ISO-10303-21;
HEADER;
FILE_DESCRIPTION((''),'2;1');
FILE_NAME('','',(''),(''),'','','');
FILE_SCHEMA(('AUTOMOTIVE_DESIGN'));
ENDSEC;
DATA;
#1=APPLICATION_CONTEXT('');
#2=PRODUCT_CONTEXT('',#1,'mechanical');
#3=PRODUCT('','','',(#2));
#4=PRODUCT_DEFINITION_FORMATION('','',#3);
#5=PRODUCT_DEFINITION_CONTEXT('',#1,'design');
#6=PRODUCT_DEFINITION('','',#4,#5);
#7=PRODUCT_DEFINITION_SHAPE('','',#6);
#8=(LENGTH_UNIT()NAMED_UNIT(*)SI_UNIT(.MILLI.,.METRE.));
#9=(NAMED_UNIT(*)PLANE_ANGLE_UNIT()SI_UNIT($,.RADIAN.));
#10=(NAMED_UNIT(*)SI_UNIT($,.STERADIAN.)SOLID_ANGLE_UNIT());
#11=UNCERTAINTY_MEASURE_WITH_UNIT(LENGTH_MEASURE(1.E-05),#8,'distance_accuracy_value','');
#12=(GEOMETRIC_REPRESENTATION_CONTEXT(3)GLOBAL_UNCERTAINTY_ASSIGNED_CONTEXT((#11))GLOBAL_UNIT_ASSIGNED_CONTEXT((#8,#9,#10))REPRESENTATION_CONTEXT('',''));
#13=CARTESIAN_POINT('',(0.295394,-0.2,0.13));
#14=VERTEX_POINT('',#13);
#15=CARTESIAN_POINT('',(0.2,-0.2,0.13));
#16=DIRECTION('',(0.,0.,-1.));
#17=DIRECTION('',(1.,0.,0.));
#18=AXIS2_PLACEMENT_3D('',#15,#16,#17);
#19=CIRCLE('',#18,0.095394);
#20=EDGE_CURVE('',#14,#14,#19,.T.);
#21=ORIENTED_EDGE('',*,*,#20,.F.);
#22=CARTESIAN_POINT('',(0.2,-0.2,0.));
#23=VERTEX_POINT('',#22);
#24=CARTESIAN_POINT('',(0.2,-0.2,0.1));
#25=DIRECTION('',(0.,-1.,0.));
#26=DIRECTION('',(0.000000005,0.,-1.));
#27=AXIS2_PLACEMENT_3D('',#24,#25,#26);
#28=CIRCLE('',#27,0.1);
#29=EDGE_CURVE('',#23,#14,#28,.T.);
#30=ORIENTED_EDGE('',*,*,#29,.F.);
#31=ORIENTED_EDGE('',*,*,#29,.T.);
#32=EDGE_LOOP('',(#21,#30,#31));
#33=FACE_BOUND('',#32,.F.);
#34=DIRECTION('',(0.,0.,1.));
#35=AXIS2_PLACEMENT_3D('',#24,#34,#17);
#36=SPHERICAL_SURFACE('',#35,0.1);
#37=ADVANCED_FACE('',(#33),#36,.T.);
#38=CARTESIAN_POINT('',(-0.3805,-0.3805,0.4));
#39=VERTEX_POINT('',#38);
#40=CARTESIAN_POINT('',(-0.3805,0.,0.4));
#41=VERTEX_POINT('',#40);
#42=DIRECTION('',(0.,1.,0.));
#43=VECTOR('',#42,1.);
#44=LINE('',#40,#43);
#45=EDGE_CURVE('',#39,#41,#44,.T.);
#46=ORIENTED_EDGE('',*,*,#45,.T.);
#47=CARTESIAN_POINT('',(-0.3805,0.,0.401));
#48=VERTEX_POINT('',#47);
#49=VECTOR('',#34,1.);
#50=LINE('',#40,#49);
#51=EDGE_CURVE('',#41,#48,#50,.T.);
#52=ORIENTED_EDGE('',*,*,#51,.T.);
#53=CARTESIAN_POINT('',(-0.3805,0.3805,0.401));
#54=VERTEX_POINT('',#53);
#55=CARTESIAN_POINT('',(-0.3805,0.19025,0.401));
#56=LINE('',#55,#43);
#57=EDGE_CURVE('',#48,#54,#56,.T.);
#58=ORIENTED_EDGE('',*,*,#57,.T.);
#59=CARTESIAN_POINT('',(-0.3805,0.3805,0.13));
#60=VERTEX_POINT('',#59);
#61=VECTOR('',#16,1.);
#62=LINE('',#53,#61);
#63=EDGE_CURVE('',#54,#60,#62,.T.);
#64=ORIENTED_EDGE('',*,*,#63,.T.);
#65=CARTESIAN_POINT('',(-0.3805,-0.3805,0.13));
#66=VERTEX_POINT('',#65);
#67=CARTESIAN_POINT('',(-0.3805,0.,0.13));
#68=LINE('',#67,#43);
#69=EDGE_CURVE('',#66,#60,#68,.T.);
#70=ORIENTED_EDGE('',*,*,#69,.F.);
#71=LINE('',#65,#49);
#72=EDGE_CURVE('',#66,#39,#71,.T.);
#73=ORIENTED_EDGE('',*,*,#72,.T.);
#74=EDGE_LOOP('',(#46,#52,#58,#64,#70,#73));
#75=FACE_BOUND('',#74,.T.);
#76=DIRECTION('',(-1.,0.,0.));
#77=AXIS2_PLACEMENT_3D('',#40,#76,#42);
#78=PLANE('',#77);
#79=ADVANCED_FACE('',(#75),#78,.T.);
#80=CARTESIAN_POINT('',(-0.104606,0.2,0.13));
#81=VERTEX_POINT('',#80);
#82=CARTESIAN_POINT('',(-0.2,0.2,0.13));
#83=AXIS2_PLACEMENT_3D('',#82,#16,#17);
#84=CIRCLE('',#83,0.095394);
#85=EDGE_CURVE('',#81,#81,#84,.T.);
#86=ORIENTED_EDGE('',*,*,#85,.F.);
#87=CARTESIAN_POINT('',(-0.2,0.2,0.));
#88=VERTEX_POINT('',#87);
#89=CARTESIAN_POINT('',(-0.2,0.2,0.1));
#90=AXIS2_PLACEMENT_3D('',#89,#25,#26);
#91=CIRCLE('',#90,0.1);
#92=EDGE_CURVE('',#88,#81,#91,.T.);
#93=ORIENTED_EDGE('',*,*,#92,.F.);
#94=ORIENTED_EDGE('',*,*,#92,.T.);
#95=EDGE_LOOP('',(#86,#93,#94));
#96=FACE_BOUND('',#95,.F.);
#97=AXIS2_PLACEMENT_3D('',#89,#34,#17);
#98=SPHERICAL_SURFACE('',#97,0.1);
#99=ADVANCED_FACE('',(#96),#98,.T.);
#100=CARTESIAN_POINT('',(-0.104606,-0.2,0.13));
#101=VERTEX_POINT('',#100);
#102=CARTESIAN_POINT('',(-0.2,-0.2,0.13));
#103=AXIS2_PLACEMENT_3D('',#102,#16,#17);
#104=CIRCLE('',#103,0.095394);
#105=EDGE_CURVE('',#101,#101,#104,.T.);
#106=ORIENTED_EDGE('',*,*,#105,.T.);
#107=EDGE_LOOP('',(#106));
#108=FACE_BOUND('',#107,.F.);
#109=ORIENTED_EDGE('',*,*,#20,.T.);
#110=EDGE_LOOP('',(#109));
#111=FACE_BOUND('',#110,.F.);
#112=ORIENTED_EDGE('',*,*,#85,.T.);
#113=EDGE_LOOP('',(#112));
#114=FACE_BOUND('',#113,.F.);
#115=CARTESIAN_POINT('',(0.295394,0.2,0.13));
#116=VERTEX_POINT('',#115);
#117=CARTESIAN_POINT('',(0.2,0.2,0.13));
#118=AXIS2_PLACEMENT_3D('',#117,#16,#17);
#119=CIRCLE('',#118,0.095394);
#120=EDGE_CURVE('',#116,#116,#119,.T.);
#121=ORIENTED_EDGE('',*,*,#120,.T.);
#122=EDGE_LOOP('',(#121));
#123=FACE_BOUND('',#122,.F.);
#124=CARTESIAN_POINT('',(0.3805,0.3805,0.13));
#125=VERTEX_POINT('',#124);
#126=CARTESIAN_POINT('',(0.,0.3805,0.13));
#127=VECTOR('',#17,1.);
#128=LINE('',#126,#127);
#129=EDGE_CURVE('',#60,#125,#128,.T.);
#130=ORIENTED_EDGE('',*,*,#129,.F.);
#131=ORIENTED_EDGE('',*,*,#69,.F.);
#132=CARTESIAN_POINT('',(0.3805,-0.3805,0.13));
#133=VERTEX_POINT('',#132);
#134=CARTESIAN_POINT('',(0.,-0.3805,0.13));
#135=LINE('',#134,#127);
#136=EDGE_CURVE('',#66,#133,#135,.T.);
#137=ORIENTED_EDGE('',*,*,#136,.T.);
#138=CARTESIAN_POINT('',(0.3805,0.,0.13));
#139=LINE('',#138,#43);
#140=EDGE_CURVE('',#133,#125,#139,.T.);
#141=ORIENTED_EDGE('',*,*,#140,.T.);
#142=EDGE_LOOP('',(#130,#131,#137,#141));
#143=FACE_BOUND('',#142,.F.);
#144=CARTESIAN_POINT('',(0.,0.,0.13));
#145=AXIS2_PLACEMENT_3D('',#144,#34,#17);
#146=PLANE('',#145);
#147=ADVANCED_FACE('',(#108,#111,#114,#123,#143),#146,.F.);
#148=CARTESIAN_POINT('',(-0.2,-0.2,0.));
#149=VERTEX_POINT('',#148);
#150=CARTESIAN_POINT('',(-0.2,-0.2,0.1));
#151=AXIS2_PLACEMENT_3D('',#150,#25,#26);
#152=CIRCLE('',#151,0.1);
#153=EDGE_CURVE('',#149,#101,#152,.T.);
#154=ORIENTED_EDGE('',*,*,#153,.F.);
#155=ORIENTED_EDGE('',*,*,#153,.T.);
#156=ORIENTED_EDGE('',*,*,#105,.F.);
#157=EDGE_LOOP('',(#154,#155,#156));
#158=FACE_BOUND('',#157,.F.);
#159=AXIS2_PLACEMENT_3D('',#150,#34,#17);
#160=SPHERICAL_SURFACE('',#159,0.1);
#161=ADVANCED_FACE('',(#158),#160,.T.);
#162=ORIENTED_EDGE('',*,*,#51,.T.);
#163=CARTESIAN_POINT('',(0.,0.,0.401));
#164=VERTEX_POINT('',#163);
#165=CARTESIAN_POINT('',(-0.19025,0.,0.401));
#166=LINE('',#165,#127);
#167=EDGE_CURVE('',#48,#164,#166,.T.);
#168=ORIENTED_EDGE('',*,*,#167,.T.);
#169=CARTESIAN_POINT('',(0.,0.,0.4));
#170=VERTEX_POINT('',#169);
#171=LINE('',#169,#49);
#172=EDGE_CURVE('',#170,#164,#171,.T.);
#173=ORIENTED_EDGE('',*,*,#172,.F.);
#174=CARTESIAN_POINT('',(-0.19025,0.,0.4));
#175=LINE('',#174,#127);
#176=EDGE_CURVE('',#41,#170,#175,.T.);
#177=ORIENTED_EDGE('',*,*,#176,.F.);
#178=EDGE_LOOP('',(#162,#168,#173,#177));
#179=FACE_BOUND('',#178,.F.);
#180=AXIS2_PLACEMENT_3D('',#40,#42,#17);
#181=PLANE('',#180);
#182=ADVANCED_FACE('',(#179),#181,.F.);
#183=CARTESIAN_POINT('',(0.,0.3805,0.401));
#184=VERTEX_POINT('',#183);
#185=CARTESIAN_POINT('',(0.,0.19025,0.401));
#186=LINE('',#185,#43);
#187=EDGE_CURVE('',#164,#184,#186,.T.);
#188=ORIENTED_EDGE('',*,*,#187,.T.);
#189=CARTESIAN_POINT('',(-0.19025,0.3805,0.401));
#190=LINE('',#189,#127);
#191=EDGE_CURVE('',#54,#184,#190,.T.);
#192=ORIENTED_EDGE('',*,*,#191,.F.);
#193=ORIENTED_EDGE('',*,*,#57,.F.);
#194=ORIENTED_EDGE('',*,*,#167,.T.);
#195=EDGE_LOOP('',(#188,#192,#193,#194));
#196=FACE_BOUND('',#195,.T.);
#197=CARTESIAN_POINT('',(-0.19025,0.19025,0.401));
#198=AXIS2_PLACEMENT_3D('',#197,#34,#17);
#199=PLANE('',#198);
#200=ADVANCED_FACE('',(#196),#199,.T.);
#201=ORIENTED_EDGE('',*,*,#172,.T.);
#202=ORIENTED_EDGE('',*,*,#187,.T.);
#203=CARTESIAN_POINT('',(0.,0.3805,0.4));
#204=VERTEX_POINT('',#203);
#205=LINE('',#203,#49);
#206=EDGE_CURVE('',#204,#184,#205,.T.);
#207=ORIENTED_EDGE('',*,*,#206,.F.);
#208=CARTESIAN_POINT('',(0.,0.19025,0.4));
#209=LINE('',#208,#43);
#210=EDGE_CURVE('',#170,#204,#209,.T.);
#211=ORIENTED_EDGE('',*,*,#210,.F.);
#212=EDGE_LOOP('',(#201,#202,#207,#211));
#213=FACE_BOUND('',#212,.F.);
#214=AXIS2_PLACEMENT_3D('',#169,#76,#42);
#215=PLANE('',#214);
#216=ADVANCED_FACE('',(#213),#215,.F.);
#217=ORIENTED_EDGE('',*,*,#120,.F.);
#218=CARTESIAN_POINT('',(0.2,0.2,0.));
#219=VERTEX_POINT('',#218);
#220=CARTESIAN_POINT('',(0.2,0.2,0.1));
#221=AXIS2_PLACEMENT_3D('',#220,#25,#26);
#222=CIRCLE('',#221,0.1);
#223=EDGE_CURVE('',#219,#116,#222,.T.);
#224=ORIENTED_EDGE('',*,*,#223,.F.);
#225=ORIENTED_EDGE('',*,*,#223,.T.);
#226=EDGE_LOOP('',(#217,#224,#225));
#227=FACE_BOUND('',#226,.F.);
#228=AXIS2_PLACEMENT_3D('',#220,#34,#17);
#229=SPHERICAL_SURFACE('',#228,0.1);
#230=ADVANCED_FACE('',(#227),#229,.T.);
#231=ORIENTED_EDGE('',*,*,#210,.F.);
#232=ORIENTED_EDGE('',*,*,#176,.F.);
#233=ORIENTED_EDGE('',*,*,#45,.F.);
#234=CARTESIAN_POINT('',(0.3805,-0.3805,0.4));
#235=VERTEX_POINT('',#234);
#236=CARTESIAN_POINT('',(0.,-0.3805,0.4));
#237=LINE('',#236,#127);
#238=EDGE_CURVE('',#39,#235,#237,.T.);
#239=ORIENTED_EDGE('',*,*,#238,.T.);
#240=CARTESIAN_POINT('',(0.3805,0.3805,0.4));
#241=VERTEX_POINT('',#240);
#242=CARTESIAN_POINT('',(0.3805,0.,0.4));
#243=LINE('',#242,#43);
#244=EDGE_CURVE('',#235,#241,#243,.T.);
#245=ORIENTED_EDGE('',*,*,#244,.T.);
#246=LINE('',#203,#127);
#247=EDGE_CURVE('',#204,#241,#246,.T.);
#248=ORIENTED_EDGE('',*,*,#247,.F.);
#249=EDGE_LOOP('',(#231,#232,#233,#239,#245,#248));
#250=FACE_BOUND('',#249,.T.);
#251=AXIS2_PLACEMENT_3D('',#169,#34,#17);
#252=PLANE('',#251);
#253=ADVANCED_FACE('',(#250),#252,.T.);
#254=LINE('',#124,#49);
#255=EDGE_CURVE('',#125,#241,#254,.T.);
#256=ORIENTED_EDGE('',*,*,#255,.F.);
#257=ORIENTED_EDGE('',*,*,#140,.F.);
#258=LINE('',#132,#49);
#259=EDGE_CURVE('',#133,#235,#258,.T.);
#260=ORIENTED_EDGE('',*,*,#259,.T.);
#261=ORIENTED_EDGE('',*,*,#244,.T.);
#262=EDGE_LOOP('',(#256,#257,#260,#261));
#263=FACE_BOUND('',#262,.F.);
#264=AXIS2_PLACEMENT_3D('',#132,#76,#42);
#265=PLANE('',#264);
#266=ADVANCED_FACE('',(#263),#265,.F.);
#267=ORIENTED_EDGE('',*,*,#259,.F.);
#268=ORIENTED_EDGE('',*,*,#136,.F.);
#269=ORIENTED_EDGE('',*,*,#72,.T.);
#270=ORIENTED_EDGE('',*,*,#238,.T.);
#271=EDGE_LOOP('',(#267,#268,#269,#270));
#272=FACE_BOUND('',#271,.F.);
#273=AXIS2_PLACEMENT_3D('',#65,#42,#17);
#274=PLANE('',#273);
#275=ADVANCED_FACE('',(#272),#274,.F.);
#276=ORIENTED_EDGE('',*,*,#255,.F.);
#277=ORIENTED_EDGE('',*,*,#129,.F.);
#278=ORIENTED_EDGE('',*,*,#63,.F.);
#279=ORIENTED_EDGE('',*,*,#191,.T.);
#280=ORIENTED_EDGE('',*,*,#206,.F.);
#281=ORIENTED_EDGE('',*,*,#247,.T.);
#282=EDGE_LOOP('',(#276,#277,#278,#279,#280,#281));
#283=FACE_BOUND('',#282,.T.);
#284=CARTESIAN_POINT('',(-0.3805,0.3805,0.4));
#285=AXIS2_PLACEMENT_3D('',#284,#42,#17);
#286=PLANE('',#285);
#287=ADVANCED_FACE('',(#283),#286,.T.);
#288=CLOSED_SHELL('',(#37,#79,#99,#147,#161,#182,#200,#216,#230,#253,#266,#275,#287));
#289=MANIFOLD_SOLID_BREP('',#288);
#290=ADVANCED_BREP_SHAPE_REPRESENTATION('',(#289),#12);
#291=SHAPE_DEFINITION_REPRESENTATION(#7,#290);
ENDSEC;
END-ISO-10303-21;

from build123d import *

# Parameters (mm, degrees)
SKETCH1_W            = 0.761
SKETCH1_H            = 0.761
BOSS_EXTRUDE1_DEPTH  = 0.27
SKETCH2_W            = 0.3805
SKETCH2_H            = 0.3805
BOSS_EXTRUDE2_DEPTH  = 0.001
LPATTERN1_COUNT      = 2
LPATTERN1_PITCH      = 0.4
LPATTERN1_COUNT_DIR2 = 2
LPATTERN1_PITCH_DIR2 = 0.4


with BuildPart() as part:
    # Sketch1 → Boss-Extrude1 (new body)
    with BuildSketch(Plane.XY.offset(0.13)):
        Rectangle(SKETCH1_W, SKETCH1_H)
    extrude(amount=BOSS_EXTRUDE1_DEPTH)

    # Sketch2 → Boss-Extrude2 (add)
    with BuildSketch(Plane.XY.offset(0.4)):
        with Locations((-0.19025, 0.19025)):
            Rectangle(SKETCH2_W, SKETCH2_H)
    extrude(amount=BOSS_EXTRUDE2_DEPTH)

    # Sketch3 → Revolve1 (revolve)
    with BuildSketch(Plane(origin=(0, 0.2, 0), x_dir=(1, 0, 0), z_dir=(0, 1, 0))):
        with BuildLine():
            Line((0.2, -0.13), (0.2, 0))
            ThreePointArc((0.2, 0), (0.280622577, -0.040839202), (0.29539392, -0.13))
            Line((0.29539392, -0.13), (0.2, -0.13))
        make_face()
    revolve1 = revolve(axis=Axis((0.2, 0.2, 0.13), (0, 0, -1)))

    # LPattern1: Revolve1 2 × 2
    with Locations(*[(-i * LPATTERN1_PITCH, -j * LPATTERN1_PITCH_DIR2, 0) for i in range(LPATTERN1_COUNT) for j in range(LPATTERN1_COUNT_DIR2) if (i, j) != (0, 0)]):
        add(revolve1)


solid = part.part
